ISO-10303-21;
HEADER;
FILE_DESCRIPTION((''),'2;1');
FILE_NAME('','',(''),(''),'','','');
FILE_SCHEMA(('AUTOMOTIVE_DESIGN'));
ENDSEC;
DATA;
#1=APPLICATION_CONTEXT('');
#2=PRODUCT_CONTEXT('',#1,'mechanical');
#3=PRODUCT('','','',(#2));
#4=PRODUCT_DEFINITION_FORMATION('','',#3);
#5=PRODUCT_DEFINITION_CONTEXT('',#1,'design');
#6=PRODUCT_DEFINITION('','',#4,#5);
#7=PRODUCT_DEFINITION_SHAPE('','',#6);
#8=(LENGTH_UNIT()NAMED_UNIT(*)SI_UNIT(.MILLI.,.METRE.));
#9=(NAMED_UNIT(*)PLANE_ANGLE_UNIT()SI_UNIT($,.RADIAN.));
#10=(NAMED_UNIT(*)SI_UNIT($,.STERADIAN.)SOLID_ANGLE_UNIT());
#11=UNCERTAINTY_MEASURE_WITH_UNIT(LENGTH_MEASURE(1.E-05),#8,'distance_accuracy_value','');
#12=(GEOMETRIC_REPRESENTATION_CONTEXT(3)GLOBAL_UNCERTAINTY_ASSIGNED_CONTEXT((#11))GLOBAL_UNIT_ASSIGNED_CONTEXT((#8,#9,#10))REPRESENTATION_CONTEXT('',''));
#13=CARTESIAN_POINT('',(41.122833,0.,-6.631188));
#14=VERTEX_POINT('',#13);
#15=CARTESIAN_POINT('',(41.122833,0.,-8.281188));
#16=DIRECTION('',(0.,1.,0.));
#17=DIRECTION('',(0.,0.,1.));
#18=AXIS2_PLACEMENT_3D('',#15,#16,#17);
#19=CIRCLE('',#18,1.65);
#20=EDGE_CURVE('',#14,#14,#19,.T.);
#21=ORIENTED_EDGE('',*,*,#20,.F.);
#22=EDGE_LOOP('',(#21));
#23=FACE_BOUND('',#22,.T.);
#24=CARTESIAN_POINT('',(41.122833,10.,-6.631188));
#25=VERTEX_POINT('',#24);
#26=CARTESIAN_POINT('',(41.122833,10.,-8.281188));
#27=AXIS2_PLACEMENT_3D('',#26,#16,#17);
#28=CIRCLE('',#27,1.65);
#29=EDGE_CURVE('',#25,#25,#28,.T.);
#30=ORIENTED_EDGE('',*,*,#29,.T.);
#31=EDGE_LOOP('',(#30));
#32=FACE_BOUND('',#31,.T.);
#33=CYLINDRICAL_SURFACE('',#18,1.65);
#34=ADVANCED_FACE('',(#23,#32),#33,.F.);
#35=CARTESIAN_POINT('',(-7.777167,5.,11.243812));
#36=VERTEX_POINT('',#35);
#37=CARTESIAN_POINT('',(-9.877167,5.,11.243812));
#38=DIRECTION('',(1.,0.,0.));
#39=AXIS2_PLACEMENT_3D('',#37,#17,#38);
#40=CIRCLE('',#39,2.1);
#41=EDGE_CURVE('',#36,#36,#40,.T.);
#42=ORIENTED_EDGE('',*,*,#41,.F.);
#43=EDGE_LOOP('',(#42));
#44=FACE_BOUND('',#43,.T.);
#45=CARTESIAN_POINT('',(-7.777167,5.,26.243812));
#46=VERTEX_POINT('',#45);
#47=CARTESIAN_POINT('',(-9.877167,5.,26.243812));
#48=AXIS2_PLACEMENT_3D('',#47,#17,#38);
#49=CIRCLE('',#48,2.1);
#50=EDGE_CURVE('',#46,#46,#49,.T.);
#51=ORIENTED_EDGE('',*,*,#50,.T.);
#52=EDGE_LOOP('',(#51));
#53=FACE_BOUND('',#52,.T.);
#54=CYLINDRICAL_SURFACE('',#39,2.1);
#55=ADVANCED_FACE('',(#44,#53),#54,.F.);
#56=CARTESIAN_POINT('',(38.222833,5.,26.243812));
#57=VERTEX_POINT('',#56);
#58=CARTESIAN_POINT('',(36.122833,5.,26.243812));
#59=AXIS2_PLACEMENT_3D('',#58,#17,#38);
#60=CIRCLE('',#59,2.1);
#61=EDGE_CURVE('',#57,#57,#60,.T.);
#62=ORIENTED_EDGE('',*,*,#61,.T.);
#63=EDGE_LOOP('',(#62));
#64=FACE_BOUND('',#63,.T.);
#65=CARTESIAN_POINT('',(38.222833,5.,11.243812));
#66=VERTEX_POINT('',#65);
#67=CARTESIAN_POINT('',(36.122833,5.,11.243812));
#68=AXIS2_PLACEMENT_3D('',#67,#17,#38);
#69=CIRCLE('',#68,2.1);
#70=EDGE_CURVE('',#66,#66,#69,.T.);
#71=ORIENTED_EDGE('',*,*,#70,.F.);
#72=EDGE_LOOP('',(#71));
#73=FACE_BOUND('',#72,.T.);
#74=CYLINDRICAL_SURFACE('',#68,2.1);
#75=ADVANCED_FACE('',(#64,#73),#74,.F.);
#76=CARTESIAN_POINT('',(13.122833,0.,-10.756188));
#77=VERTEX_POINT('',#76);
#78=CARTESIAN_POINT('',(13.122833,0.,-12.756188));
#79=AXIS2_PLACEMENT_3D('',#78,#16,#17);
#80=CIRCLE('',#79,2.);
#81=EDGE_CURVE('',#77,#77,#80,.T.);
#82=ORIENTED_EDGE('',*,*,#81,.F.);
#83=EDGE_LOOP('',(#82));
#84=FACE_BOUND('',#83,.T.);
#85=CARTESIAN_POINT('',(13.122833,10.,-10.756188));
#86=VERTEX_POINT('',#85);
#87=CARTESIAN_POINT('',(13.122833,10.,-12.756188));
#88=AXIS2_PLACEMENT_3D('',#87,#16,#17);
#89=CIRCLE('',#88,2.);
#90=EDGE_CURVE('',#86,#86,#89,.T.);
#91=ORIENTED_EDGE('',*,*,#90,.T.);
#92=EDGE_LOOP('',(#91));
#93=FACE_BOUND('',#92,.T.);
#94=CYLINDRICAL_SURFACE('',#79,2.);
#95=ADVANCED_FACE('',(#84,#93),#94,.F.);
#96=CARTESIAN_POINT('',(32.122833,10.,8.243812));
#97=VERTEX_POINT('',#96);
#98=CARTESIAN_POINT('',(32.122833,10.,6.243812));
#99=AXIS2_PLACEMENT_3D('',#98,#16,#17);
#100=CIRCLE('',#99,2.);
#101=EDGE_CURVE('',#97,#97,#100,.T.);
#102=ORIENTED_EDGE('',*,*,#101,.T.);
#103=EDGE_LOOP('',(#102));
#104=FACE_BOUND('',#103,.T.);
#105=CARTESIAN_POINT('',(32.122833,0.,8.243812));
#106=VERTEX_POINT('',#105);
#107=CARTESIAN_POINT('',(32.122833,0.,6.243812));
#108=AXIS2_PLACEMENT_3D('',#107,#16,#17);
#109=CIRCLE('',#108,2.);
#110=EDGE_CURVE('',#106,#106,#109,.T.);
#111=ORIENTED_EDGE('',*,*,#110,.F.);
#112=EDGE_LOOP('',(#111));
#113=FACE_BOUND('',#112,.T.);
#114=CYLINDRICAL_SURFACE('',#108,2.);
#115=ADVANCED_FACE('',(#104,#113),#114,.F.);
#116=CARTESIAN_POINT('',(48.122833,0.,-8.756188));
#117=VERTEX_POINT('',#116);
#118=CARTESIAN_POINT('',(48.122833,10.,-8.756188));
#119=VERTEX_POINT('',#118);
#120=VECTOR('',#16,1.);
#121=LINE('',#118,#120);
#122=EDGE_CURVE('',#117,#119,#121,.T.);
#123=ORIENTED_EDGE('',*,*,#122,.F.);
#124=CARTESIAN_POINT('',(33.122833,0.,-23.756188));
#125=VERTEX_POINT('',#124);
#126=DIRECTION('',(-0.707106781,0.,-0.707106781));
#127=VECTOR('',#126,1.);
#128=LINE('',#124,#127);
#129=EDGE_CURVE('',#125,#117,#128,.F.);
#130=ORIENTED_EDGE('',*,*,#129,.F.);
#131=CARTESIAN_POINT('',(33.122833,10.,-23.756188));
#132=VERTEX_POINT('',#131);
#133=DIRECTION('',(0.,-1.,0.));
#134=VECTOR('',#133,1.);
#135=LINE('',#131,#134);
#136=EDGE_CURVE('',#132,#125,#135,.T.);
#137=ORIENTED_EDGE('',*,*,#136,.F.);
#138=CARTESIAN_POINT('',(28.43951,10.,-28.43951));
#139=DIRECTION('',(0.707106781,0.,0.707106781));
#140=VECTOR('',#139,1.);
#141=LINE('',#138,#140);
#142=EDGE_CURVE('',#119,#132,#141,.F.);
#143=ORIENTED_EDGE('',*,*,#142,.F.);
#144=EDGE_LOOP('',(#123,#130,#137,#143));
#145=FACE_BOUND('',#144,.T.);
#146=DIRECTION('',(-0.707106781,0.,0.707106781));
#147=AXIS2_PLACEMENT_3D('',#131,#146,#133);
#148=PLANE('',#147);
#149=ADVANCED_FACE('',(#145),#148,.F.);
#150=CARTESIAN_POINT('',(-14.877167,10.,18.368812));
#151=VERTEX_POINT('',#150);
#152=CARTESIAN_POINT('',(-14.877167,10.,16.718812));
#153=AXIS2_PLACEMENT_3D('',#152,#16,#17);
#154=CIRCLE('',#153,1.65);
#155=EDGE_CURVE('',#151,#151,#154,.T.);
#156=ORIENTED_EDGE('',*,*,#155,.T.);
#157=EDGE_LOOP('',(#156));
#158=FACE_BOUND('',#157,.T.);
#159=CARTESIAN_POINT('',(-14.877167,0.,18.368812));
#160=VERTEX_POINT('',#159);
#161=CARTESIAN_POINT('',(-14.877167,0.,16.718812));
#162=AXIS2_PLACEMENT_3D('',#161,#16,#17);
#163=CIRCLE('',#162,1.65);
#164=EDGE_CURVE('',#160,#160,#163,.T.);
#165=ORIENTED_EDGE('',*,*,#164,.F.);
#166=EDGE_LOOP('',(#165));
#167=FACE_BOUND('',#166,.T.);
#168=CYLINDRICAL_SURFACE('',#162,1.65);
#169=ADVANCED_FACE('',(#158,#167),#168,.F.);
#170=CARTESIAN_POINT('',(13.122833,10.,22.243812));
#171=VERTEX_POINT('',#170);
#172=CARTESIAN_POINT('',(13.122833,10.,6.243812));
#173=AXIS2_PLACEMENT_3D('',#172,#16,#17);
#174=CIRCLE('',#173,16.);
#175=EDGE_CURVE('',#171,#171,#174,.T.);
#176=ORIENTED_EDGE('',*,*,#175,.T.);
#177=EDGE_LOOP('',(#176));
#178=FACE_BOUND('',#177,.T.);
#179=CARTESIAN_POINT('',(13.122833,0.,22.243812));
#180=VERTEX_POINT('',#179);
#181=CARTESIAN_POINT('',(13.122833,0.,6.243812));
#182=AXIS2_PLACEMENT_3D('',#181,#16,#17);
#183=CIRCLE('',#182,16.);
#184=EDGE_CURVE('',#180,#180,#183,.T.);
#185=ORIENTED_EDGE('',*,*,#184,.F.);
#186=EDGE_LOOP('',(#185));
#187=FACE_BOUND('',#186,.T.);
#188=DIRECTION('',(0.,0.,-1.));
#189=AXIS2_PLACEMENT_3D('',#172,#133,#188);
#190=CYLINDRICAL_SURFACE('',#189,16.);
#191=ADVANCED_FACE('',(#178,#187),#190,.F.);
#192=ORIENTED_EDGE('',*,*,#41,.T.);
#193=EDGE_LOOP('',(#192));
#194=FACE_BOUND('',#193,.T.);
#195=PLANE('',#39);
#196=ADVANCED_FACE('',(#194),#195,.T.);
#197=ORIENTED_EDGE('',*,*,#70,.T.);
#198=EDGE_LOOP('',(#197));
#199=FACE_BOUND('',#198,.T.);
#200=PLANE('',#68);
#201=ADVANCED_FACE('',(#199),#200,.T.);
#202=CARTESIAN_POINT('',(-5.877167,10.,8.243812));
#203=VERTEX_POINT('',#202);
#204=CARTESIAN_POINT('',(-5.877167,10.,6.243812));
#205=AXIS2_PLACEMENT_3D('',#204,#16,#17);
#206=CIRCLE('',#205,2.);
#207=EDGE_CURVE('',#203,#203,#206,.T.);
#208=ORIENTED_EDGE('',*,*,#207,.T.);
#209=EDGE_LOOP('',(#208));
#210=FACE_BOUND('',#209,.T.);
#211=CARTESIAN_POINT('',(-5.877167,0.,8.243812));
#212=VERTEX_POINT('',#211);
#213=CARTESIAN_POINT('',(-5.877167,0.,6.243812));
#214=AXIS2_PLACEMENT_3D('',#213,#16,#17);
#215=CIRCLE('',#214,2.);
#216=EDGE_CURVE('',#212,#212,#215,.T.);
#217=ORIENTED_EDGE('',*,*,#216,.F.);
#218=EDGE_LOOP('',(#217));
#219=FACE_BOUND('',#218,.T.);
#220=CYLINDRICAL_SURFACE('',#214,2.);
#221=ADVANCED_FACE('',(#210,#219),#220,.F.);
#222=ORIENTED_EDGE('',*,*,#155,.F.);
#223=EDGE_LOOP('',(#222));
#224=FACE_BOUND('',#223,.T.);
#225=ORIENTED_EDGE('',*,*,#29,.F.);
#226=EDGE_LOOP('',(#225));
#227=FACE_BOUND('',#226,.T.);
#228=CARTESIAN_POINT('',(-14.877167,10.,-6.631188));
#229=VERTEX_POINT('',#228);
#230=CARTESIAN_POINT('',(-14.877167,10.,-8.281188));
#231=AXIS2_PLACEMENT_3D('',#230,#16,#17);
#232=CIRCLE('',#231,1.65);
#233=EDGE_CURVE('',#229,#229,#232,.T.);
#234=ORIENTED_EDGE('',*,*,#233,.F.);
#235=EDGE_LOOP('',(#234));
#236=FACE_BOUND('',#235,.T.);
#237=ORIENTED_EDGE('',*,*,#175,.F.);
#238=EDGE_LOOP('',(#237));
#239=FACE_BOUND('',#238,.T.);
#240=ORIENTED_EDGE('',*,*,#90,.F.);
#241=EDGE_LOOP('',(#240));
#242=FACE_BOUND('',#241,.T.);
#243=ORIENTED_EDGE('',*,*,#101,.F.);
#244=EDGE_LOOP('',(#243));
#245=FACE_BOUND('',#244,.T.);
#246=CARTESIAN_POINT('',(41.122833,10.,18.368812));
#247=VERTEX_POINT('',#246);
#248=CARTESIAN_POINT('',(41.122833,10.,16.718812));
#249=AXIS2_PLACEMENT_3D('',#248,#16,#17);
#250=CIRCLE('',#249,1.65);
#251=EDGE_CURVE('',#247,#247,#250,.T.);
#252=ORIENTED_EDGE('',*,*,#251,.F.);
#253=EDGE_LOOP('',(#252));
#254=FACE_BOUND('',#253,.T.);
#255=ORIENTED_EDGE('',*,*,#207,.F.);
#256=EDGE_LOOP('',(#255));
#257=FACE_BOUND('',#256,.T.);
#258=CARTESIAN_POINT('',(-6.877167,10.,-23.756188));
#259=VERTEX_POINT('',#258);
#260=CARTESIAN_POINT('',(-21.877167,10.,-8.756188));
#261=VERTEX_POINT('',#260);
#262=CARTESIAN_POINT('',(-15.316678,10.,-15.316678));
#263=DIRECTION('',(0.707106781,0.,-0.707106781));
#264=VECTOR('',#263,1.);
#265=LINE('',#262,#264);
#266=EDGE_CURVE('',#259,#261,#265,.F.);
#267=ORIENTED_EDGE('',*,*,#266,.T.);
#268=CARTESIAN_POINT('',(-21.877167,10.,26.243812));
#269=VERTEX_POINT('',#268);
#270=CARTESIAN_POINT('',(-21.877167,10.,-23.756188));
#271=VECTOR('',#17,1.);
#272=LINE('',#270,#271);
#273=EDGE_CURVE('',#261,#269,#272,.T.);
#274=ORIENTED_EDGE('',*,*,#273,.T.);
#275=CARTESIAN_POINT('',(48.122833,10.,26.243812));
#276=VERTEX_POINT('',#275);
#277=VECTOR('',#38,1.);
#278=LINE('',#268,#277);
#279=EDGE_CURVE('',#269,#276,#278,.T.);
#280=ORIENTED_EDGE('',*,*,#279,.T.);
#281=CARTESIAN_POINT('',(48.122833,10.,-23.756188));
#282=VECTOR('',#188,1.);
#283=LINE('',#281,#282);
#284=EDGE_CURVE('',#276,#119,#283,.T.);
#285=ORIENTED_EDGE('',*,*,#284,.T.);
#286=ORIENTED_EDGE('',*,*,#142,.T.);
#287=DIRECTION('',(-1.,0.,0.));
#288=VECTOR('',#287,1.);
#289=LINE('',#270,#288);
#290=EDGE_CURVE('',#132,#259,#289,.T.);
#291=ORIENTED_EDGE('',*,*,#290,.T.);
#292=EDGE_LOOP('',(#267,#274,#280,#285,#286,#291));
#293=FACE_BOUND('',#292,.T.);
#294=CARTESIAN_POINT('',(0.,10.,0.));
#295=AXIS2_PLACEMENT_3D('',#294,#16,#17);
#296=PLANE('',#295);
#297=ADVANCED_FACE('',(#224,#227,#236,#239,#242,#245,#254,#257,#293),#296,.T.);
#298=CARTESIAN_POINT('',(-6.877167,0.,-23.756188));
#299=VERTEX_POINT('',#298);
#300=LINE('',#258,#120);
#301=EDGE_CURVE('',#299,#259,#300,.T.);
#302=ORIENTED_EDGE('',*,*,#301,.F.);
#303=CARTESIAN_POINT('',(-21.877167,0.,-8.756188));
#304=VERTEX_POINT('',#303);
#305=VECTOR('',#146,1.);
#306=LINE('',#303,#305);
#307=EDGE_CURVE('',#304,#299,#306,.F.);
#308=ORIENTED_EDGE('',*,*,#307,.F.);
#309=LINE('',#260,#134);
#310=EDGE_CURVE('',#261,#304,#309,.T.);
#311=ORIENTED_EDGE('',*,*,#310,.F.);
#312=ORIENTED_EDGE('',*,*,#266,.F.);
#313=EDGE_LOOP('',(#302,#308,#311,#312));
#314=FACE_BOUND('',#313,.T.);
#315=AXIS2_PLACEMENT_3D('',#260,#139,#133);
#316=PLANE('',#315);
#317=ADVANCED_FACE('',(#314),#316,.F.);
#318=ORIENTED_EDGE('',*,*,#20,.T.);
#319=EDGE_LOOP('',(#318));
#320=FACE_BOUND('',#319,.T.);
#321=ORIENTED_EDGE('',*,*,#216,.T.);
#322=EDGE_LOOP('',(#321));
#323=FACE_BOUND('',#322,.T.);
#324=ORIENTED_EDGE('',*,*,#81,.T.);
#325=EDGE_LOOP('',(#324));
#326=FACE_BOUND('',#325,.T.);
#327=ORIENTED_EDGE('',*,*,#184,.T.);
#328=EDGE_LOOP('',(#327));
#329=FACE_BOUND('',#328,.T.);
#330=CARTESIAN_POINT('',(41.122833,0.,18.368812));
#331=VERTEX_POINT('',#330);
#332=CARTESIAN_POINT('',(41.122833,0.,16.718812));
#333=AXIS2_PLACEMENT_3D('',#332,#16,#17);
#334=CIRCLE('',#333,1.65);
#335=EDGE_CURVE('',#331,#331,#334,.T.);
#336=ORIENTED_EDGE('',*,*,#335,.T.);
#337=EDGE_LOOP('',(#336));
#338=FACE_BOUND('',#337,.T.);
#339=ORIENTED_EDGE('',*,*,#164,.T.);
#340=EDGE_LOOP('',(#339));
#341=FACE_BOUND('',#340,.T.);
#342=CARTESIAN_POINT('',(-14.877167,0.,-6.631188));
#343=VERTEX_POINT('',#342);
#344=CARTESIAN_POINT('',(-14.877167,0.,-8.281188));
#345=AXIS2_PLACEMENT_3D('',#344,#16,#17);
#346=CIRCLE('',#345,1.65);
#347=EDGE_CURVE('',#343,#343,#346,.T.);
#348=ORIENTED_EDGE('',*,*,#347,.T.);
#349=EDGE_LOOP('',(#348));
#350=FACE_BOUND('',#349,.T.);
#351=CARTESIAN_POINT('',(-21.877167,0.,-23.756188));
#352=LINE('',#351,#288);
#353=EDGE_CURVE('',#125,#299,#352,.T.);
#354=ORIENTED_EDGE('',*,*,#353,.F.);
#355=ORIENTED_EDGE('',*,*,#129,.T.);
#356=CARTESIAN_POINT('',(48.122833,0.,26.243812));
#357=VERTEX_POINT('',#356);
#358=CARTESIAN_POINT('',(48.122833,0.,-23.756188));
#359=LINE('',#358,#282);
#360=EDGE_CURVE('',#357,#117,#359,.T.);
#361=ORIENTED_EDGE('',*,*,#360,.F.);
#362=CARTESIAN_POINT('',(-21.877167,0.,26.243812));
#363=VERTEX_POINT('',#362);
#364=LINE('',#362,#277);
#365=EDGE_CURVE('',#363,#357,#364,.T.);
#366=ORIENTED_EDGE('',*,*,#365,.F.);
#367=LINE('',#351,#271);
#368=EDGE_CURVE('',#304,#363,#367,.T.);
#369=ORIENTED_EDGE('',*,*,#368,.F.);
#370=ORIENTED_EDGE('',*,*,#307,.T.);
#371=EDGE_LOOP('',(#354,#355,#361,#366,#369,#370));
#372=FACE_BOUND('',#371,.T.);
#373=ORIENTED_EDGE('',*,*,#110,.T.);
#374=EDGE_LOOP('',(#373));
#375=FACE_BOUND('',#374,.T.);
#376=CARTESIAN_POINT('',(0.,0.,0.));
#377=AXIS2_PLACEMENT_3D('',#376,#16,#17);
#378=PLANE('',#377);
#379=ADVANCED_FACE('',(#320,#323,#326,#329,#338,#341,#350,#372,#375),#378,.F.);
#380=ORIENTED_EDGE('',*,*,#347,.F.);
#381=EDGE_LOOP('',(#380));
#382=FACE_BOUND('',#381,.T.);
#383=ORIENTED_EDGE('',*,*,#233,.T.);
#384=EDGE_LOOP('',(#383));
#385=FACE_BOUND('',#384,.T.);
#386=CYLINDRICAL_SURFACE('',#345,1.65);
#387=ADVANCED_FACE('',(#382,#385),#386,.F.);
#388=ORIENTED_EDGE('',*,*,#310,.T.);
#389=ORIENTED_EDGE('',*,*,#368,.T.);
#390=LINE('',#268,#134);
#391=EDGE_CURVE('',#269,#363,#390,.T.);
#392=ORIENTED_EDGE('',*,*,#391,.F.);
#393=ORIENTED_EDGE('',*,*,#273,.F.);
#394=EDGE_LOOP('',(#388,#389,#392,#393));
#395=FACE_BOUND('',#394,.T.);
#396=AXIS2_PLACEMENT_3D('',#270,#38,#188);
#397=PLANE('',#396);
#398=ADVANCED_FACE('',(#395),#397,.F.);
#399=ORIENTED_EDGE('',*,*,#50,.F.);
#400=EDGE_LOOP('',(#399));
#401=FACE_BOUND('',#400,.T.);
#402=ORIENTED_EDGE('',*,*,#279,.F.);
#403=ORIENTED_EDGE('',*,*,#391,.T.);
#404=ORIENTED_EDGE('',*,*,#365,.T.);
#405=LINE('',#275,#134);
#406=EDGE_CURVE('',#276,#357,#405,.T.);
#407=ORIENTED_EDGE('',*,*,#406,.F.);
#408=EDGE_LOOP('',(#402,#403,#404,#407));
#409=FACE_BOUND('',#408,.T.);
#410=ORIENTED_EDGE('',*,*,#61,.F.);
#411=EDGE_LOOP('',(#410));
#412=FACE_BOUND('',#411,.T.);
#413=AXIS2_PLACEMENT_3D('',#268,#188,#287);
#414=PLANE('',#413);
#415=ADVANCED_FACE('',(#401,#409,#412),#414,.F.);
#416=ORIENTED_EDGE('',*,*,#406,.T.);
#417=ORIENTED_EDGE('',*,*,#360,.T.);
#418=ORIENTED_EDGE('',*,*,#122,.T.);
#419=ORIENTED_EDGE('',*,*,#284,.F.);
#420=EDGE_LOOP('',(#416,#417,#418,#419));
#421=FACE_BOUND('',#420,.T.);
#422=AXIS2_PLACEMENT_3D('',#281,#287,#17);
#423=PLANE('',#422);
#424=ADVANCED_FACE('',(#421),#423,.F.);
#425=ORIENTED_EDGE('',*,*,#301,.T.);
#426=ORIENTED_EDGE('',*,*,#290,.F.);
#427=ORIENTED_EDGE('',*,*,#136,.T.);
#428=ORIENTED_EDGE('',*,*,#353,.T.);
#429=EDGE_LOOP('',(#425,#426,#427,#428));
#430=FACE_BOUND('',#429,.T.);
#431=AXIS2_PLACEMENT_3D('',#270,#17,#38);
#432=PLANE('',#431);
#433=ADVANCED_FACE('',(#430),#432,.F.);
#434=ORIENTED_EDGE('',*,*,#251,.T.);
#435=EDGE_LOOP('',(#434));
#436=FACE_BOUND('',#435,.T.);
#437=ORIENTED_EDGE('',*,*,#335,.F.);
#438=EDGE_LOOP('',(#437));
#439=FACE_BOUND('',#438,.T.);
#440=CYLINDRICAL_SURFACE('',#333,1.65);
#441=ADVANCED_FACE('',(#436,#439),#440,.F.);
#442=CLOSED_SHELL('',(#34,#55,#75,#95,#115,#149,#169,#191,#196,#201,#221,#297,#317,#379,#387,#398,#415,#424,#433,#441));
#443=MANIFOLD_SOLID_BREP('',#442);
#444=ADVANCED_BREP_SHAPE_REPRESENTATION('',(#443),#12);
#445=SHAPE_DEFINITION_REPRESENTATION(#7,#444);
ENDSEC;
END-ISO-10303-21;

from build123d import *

# Parameters (mm, degrees)
SKETCH_1_W          = 70
SKETCH_1_H          = 50
SKETCH_1_R          = 16
EXTRUDE_1_DEPTH     = 10
CHAMFER_1_SIZE      = 15
SKETCH_4_R          = 2
CUT_EXTRUDE_3_DEPTH = 10
SKETCH_7_R          = 1.65
CUT_EXTRUDE_5_DEPTH = 10
SKETCH_8_R          = 2.1
CUT_EXTRUDE_6_DEPTH = 15


with BuildPart() as part:
    # Эскиз1 → Бобышка-Вытянуть1 (new body)
    with BuildSketch(Plane(origin=(0, 0, 0), x_dir=(1, 0, 0), z_dir=(0, 1, 0))):
        with Locations((13.122832672, -1.243812166)):
            Rectangle(SKETCH_1_W, SKETCH_1_H)
        with Locations(Location((13.122832672, -6.243812166, 0), (0, 0, 270))):
            Circle(SKETCH_1_R, mode=Mode.SUBTRACT)
    extrude(amount=EXTRUDE_1_DEPTH)

    # Фаска1
    chamfer_1_edges = [part.edges().sort_by_distance(p)[0] for p in [
        (-21.877167328, 5, -23.756187834),
        (48.122832672, 5, -23.756187834),
    ]]
    chamfer(chamfer_1_edges, length=CHAMFER_1_SIZE)

    # Эскиз4 → Вырез-Вытянуть3 (cut)
    with BuildSketch(Plane(origin=(0, 10, 0), x_dir=(1, 0, 0), z_dir=(0, 1, 0))):
        with Locations(Location((32.122832672, -6.243812166, 0), (0, 0, 270))):
            Circle(SKETCH_4_R)
        with Locations(Location((13.122832672, 12.756187834, 0), (0, 0, 270))):
            Circle(SKETCH_4_R)
        with Locations(Location((-5.877167328, -6.243812166, 0), (0, 0, 270))):
            Circle(SKETCH_4_R)
    extrude(amount=-CUT_EXTRUDE_3_DEPTH, mode=Mode.SUBTRACT)

    # Эскиз7 → Вырез-Вытянуть5 (cut)
    with BuildSketch(Plane(origin=(0, 10, 0), x_dir=(1, 0, 0), z_dir=(0, 1, 0))):
        with Locations(Location((41.122832672, 8.281187834, 0), (0, 0, 270))):
            Circle(SKETCH_7_R)
        with Locations(Location((41.122832672, -16.718812166, 0), (0, 0, 270))):
            Circle(SKETCH_7_R)
        with Locations(Location((-14.877167328, 8.281187834, 0), (0, 0, 270))):
            Circle(SKETCH_7_R)
        with Locations(Location((-14.877167328, -16.718812166, 0), (0, 0, 270))):
            Circle(SKETCH_7_R)
    extrude(amount=-CUT_EXTRUDE_5_DEPTH, mode=Mode.SUBTRACT)

    # Эскиз8 → Вырез-Вытянуть6 (cut)
    with BuildSketch(Plane.XY.offset(26.243812166)):
        with Locations((-9.877167328, 5)):
            Circle(SKETCH_8_R)
        with Locations((36.122832672, 5)):
            Circle(SKETCH_8_R)
    extrude(amount=-CUT_EXTRUDE_6_DEPTH, mode=Mode.SUBTRACT)


solid = part.part
